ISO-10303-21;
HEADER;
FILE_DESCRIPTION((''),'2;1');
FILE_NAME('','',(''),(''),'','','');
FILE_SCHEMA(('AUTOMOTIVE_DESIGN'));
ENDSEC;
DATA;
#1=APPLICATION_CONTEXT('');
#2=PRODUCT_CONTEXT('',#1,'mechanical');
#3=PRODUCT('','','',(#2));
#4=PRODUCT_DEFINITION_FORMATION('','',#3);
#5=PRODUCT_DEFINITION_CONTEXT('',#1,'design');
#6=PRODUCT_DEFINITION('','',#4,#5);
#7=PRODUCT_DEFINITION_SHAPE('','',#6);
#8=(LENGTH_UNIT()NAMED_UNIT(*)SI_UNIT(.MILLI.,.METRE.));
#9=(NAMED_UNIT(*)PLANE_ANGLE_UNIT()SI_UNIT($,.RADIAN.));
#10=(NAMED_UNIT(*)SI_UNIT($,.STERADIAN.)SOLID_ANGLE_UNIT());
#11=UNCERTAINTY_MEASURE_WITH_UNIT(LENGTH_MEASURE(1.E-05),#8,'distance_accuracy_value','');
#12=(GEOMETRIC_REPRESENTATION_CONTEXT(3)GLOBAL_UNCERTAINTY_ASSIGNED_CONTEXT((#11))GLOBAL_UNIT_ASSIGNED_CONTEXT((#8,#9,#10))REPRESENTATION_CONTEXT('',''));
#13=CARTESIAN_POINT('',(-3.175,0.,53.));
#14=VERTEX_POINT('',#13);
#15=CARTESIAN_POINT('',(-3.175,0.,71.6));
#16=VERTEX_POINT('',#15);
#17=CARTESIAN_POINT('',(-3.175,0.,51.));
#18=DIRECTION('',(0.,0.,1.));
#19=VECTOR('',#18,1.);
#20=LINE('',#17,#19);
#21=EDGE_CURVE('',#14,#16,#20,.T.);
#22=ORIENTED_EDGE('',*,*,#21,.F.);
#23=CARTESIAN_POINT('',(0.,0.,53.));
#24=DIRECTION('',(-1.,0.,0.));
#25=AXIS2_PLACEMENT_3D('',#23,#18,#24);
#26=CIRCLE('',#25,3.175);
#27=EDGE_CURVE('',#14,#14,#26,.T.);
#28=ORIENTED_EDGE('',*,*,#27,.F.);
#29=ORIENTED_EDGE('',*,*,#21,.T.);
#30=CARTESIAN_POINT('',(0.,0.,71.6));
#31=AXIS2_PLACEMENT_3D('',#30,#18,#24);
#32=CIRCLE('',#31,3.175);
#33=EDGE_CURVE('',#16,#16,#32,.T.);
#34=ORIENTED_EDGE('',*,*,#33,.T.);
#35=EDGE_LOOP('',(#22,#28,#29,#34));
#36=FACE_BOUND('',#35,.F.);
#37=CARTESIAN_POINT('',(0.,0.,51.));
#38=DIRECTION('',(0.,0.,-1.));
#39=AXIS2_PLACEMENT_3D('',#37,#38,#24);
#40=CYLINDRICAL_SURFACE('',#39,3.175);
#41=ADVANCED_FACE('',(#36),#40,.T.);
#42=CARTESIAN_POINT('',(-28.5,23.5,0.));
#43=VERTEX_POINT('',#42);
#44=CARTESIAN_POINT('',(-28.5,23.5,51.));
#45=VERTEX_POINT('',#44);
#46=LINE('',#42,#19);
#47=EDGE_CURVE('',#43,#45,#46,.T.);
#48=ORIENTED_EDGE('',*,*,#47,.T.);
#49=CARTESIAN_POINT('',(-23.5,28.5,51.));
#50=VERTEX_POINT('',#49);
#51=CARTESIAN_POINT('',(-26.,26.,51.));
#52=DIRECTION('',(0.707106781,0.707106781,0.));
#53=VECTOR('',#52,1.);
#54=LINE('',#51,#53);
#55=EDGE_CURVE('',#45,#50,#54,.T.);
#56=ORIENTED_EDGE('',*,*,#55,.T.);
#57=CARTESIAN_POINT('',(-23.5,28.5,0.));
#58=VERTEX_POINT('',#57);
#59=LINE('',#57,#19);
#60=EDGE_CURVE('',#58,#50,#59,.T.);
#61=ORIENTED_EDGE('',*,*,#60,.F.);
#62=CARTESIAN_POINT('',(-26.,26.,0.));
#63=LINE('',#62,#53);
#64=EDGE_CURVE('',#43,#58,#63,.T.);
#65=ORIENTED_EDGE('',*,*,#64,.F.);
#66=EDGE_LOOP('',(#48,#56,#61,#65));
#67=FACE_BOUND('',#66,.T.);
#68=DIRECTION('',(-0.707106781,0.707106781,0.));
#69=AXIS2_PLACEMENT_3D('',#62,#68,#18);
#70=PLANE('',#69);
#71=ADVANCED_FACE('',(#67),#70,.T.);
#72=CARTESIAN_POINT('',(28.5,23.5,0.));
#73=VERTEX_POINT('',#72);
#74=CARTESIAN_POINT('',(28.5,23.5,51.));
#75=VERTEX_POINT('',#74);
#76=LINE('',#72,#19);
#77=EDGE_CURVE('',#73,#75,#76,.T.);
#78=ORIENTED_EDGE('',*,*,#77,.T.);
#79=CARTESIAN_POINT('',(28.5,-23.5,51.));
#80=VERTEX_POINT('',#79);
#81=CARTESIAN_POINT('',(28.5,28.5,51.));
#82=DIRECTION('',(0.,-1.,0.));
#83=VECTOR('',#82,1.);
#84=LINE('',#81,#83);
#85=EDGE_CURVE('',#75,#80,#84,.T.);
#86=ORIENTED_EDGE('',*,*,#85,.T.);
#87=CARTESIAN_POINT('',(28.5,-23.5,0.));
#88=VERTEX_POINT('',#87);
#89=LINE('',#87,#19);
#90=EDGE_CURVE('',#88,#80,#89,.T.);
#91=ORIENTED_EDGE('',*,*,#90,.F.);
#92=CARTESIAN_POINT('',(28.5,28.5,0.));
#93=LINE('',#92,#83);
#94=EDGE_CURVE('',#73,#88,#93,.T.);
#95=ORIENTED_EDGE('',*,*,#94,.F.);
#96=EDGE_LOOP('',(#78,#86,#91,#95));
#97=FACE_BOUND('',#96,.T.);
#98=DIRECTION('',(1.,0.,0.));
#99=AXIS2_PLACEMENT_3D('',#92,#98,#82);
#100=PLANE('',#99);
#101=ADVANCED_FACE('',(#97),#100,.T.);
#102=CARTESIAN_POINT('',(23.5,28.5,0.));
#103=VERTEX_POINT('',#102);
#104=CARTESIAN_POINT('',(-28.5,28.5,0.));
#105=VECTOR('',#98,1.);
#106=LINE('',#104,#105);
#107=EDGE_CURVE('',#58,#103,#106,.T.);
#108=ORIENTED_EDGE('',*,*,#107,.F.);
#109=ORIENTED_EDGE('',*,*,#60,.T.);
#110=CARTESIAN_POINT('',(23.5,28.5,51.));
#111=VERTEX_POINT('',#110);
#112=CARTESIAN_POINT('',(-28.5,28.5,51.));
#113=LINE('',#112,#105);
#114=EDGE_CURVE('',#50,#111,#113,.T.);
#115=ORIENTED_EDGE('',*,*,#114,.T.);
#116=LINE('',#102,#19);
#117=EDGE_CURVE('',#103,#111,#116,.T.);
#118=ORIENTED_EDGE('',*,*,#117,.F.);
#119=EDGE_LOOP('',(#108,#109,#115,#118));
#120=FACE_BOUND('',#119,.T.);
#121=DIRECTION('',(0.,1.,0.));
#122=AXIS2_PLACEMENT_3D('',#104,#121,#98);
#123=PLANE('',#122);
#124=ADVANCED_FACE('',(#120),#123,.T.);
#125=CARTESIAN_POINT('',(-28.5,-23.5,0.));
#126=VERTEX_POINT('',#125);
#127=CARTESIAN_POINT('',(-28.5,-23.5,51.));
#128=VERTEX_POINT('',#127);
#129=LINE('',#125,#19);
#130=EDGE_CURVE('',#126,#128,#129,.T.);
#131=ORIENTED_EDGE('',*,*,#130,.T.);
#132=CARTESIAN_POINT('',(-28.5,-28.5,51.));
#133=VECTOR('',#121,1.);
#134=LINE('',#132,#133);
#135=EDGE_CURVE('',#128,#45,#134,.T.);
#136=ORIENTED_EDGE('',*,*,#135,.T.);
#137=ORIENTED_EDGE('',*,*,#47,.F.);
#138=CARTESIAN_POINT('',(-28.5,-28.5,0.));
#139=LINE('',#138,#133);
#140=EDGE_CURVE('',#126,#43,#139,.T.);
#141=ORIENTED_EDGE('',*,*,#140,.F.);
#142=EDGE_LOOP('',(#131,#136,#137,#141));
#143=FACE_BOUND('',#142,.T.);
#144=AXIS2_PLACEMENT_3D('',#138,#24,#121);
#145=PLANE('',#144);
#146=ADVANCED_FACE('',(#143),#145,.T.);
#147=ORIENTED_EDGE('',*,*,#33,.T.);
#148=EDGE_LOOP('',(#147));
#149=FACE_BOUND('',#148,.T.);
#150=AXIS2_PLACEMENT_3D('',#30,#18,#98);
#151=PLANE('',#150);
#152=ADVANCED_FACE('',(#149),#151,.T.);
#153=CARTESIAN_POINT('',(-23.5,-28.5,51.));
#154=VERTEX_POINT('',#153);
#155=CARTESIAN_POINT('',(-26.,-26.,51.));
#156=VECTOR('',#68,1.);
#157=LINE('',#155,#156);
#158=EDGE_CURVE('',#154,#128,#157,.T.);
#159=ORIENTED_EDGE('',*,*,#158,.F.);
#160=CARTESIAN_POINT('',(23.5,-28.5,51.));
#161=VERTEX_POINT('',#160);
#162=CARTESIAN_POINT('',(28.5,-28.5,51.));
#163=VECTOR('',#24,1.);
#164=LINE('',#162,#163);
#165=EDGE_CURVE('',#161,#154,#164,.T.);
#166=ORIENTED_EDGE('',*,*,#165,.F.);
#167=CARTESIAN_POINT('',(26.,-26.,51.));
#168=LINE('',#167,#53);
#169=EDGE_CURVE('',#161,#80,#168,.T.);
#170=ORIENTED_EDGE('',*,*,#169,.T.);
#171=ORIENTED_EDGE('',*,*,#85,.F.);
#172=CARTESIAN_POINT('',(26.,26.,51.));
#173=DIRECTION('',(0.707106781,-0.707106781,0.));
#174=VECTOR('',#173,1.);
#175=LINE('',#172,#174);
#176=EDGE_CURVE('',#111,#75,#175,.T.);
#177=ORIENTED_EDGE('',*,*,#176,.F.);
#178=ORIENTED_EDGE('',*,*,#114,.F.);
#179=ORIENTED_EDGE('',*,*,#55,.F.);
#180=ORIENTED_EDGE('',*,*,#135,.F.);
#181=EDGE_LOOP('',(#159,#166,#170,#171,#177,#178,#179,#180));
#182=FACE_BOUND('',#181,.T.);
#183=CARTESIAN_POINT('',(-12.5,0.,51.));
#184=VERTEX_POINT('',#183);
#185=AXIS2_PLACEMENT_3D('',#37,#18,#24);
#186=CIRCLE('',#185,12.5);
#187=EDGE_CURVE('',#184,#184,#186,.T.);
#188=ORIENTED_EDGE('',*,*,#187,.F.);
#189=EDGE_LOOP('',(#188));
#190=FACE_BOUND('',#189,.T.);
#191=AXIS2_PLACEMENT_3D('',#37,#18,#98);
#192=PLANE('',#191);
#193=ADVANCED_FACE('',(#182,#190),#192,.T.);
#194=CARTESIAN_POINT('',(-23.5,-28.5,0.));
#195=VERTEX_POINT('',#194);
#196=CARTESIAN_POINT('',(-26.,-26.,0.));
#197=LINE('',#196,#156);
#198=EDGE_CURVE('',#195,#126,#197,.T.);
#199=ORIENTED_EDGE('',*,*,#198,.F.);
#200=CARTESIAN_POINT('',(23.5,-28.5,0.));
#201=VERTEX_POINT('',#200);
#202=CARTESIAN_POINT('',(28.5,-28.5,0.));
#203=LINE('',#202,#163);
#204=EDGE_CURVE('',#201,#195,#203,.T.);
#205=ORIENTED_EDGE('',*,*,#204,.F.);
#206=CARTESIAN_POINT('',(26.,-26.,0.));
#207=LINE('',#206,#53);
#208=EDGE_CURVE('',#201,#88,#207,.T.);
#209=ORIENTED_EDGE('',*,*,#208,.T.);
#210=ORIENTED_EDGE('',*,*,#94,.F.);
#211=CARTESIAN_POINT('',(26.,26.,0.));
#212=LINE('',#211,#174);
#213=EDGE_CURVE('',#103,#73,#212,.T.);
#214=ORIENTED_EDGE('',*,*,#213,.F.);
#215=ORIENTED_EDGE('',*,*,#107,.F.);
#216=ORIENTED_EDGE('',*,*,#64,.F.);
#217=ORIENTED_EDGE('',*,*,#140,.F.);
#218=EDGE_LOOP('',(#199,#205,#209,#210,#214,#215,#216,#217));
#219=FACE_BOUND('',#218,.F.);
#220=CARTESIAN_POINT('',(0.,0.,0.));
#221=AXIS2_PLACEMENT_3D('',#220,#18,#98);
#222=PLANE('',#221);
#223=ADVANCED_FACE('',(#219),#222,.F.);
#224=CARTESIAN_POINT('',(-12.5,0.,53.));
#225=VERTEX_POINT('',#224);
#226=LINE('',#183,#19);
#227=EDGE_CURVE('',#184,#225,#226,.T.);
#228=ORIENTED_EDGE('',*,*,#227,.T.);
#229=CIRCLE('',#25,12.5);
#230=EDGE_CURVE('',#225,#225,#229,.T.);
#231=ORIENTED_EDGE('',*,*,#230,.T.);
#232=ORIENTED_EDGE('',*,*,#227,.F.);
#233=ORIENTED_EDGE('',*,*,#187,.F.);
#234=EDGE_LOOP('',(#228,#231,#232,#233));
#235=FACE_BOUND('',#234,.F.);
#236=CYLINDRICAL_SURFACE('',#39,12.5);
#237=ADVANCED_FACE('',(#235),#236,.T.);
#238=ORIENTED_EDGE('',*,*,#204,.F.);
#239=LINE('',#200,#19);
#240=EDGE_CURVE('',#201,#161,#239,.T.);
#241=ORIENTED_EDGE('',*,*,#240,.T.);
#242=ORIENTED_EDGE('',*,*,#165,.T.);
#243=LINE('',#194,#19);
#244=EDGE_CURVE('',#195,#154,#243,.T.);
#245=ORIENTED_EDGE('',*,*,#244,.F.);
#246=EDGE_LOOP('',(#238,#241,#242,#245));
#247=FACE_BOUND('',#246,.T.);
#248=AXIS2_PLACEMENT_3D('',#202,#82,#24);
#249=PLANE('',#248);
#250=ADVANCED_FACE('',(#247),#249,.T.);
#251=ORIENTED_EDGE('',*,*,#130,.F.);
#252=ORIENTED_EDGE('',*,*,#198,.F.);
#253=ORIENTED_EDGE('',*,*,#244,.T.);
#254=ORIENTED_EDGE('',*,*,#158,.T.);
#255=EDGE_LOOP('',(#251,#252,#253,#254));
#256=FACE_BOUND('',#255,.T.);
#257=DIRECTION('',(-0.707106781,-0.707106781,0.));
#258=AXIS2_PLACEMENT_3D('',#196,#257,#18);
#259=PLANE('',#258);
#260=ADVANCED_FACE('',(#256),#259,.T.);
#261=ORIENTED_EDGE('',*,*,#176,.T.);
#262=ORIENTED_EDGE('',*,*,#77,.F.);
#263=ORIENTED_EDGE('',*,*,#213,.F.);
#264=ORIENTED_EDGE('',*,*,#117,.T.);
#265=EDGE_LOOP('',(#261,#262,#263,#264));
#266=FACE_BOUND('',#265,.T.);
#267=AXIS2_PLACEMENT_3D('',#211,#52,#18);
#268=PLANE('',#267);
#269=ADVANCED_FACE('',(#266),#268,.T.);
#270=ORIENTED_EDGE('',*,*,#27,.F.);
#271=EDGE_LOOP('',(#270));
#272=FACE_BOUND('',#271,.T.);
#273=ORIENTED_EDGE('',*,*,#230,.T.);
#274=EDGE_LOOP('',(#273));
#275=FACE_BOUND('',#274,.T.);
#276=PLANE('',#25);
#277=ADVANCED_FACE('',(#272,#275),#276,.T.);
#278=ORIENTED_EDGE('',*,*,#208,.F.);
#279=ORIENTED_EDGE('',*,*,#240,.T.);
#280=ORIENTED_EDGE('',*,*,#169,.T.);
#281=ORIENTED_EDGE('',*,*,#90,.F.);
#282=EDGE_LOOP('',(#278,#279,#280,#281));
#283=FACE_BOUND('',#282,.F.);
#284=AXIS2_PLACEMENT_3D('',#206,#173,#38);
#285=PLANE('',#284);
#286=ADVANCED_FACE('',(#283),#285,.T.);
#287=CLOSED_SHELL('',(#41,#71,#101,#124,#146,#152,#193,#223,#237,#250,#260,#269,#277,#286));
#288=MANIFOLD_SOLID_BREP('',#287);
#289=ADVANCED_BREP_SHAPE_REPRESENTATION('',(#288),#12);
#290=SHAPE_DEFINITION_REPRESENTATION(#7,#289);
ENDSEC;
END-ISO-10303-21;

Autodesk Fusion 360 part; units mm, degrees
sketch "Sketch1" plane through (0, 0, 0) normal (0, 0, 1) x (1, 0, 0)
  line L0 (28.5, -28.5) -> (-28.5, -28.5)
  line L1 (-28.5, -28.5) -> (-28.5, 28.5)
  line L2 (-28.5, 28.5) -> (28.5, 28.5)
  line L3 (28.5, 28.5) -> (28.5, -28.5)
  line L4 (28.5, -28.5) -> (-28.5, 28.5) construction
  line L5 (-28.5, -28.5) -> (28.5, 28.5) construction
  dimension "d1" = 57
  dimension "d2" = 57
extrude "Extrude1" add sketch "Sketch1" along normal blind 51
chamfer "Chamfer1" distance 5 angle 45 4 edges at (-28.5, -28.5, 25.5) (28.5, -28.5, 25.5) (-28.5, 28.5, 25.5) (28.5, 28.5, 25.5)
sketch "Sketch2" plane through (0, 0, 51) normal (0, 0, 1) x (-1, 0, 0)
  line L0 (-28.5, -23.5) -> (-23.5, -28.5)
  line L1 (-23.5, -28.5) -> (23.5, -28.5)
  line L2 (23.5, -28.5) -> (28.5, -23.5)
  line L3 (28.5, -23.5) -> (28.5, 23.5)
  line L4 (28.5, 23.5) -> (23.5, 28.5)
  line L5 (23.5, 28.5) -> (-23.5, 28.5)
  line L6 (-23.5, 28.5) -> (-28.5, 23.5)
  line L7 (-28.5, 23.5) -> (-28.5, -23.5)
  circle A0 centre (0, 0) radius 12.5
  circle A1 centre (0, 0) radius 3.175
  dimension "d6" = 25
  dimension "d7" = 6.35
extrude "Extrude2" add sketch "Sketch2" along normal blind 2 contours A0
extrude "Extrude3" add 1 faces at (1.0904, 0.6963, 51) along direction (0, 0, 1) blind 20.6
